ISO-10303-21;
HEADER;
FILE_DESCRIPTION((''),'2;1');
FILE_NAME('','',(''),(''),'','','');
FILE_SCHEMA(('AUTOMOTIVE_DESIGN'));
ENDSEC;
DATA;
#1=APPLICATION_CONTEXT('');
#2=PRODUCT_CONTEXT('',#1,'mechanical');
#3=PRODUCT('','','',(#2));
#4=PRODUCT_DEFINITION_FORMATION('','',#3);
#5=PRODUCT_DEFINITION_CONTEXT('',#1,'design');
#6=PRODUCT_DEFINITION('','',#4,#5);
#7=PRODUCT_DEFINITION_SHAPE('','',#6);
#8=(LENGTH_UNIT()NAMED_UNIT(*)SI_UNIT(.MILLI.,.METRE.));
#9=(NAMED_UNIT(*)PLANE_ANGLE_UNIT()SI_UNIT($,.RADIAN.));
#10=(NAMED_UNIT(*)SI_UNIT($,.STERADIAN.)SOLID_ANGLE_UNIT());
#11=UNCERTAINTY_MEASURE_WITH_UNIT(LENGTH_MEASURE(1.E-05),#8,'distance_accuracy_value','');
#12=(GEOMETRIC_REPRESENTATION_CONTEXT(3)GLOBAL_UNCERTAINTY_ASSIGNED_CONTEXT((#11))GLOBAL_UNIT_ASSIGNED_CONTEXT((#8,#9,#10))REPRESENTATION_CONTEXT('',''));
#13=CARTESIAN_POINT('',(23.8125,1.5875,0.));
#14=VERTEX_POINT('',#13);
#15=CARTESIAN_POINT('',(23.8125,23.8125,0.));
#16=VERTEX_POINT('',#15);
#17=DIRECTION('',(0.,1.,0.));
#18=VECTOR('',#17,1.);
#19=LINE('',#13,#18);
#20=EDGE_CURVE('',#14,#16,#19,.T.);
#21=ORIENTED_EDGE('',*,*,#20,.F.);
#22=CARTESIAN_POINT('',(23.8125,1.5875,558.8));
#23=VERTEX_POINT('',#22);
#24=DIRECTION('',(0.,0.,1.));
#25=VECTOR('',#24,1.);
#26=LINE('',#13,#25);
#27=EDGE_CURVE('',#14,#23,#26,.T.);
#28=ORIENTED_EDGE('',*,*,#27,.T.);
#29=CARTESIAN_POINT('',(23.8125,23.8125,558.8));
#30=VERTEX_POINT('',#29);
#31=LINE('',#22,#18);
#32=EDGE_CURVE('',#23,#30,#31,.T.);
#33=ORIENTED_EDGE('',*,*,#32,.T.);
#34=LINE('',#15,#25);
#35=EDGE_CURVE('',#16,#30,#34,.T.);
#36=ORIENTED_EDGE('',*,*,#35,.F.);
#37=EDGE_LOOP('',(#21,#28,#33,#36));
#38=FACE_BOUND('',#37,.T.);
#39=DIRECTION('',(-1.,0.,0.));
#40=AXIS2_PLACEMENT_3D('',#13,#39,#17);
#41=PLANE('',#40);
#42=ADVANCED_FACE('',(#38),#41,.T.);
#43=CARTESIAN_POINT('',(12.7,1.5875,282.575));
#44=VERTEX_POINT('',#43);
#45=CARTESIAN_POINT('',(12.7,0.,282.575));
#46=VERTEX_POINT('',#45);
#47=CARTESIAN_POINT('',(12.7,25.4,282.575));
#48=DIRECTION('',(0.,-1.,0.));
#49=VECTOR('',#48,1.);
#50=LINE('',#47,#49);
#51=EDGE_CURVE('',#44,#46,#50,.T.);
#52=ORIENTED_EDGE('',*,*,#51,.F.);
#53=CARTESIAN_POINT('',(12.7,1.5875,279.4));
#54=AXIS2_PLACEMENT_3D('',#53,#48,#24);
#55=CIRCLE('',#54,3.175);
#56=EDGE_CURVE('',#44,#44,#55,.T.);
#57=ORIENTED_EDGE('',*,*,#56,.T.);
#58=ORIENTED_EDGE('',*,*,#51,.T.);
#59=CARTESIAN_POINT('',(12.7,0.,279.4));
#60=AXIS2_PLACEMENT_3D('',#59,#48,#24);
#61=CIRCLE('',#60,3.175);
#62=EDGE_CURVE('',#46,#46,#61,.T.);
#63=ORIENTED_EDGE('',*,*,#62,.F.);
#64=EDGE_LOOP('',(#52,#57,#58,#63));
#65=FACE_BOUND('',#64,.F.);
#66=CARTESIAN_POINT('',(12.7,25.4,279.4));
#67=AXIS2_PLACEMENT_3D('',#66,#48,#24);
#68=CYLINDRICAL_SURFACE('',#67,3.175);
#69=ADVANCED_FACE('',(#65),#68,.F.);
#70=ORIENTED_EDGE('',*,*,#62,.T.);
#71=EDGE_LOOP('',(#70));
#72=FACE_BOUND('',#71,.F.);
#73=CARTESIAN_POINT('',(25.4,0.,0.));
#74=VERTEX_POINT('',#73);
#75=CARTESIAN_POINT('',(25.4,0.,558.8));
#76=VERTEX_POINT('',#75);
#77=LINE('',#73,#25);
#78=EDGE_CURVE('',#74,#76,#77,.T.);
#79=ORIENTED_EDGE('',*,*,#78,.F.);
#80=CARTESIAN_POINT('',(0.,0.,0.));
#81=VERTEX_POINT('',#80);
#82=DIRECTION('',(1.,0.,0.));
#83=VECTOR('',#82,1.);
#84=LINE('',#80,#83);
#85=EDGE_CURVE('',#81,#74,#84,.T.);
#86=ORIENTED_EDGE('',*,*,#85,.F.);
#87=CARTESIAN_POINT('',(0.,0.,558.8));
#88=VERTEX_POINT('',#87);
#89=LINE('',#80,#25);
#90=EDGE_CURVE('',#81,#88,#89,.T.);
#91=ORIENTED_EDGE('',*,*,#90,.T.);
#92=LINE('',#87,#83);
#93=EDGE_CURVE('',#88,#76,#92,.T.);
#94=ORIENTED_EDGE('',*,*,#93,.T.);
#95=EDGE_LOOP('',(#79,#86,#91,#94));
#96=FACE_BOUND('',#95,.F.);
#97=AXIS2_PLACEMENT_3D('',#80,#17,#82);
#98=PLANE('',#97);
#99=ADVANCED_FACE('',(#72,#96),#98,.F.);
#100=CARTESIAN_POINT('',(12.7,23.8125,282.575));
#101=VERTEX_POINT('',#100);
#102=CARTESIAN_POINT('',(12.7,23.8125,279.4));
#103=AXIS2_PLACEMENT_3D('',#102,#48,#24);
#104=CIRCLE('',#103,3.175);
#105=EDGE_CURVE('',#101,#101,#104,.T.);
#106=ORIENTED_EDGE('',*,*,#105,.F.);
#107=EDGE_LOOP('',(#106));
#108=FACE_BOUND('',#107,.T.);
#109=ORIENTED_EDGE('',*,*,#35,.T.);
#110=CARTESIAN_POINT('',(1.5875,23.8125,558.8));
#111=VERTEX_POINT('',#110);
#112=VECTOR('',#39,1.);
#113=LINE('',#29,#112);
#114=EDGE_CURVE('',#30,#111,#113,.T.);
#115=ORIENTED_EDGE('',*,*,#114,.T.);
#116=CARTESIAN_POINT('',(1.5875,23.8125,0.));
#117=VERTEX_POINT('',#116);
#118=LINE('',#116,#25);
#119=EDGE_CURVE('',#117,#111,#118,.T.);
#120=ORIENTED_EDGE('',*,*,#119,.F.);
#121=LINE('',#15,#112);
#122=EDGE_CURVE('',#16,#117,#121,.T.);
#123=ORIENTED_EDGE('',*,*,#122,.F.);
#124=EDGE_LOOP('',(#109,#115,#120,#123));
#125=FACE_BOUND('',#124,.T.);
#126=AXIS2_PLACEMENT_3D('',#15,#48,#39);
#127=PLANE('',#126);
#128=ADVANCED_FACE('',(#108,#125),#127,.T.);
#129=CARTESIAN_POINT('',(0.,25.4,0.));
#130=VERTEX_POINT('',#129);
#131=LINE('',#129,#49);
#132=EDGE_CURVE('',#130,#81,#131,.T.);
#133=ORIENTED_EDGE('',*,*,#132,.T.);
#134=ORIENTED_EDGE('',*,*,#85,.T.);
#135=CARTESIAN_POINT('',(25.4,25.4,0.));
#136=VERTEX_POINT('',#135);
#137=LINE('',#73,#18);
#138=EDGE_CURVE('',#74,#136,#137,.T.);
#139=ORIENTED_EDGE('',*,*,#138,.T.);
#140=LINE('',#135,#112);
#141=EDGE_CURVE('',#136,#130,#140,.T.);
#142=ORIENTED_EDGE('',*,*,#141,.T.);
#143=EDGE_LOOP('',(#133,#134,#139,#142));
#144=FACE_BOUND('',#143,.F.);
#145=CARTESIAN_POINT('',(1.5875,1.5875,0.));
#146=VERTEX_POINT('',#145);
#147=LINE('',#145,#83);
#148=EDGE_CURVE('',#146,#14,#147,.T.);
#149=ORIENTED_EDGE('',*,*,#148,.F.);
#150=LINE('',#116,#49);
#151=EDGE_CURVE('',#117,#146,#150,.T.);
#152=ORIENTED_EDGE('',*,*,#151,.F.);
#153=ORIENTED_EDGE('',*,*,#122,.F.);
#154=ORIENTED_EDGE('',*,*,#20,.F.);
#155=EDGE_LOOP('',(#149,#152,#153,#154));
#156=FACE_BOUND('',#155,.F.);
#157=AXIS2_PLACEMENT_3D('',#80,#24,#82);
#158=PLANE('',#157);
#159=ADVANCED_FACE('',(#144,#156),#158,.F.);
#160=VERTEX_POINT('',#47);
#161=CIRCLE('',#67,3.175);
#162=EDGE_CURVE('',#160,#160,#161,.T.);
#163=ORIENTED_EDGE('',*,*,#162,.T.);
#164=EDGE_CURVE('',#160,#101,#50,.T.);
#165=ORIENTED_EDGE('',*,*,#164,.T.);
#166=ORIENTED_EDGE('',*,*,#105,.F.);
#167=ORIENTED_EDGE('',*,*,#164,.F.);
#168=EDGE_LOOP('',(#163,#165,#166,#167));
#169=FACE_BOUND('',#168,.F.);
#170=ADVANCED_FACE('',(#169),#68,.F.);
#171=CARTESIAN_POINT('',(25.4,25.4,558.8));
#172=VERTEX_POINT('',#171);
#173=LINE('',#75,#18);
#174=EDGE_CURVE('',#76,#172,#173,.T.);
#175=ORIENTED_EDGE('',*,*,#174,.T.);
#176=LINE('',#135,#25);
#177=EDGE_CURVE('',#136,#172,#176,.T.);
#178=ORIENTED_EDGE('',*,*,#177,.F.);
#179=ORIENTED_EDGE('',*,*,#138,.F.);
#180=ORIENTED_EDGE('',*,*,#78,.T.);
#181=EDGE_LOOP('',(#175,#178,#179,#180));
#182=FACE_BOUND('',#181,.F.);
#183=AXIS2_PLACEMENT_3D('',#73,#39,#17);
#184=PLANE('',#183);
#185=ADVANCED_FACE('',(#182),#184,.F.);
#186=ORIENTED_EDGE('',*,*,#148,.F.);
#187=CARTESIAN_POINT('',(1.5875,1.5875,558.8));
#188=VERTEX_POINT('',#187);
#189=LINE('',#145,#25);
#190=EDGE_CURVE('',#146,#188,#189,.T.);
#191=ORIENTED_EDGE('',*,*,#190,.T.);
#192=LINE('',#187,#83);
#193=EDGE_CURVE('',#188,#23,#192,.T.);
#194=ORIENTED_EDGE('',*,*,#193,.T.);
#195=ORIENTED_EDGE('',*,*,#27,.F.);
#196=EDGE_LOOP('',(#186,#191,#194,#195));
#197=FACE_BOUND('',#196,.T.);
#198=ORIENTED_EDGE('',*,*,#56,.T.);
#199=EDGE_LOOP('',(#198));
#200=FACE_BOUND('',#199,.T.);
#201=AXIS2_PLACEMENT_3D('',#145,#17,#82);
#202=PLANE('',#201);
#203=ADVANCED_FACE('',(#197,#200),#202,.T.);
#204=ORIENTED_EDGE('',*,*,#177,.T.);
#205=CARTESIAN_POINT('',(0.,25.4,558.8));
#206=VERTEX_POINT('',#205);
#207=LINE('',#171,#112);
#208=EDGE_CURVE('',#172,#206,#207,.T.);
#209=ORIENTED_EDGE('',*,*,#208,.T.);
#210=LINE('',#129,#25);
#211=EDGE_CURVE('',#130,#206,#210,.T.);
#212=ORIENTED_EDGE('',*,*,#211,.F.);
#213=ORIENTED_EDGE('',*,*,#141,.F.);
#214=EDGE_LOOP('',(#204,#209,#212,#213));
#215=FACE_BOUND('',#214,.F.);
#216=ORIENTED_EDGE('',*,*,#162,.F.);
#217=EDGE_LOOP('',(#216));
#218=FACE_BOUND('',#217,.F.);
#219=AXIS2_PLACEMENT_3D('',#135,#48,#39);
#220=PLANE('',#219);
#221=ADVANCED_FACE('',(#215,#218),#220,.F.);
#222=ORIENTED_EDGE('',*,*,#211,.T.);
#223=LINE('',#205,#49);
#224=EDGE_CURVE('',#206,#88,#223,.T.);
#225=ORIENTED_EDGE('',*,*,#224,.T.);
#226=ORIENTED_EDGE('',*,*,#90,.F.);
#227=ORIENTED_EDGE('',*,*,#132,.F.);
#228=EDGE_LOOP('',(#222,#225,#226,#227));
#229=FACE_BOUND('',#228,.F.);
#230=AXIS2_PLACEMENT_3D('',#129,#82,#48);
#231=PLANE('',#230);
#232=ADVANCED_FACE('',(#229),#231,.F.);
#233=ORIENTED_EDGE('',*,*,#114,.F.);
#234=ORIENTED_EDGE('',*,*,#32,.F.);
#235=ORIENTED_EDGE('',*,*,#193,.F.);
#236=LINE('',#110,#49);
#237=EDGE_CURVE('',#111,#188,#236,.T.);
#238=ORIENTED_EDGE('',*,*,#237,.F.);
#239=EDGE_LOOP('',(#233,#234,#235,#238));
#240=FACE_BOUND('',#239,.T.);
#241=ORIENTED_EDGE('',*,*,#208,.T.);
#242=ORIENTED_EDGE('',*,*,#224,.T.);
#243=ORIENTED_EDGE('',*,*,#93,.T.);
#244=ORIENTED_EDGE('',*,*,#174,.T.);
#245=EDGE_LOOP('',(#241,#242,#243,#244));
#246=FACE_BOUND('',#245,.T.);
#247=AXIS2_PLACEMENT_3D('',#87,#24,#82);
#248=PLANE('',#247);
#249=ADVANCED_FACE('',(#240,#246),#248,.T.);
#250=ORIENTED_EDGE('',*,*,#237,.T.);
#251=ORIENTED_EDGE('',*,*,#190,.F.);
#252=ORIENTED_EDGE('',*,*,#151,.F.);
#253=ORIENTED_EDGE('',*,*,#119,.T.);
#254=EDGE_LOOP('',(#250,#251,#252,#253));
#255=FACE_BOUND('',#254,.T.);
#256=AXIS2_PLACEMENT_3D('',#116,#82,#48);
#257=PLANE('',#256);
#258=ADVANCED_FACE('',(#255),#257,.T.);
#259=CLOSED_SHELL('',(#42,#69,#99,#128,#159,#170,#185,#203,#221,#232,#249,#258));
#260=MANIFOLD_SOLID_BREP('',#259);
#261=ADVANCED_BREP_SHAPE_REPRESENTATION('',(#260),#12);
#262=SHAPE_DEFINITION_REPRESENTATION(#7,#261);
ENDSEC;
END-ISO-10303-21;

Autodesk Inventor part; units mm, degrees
ref_plane "YZ Plane" through (0, 0, 0) normal (1, 0, 0) x (0, 1, 0)
ref_plane "XZ Plane" through (0, 0, 0) normal (0, 1, 0) x (-1, 0, 0)
ref_plane "XY Plane" through (0, 0, 0) normal (0, 0, 1) x (1, 0, 0)
sketch "Sketch1" plane through (0, 0, 0) normal (0, 0, 1) x (1, 0, 0)
  line L0 (0, 0) -> (25.4, 0)
  line L1 (25.4, 0) -> (25.4, 25.4)
  line L2 (25.4, 25.4) -> (0, 25.4)
  line L3 (0, 25.4) -> (0, 0)
  line L4 (1.5875, 1.5875) -> (23.8125, 1.5875)
  line L5 (23.8125, 1.5875) -> (23.8125, 23.8125)
  line L6 (23.8125, 23.8125) -> (1.5875, 23.8125)
  line L7 (1.5875, 23.8125) -> (1.5875, 1.5875)
  dimension "d0" = 25.4
  dimension "d1" = 25.4
  dimension "d2" = 1.5875
extrude "Extrusion1" add sketch "Sketch1" along normal blind 558.8
sketch "Sketch3" plane through (0, 25.4, 0) normal (0, 1, 0) x (1, 0, 0)
  line L0 (25.4, 0) -> (0, 0) projected
  line L1 (0, 0) -> (0, -558.8) projected
  line L2 (25.4, -558.8) -> (0, -558.8) projected
  line L3 (25.4, 0) -> (25.4, -558.8) projected
  point P0 (0, 0)
  point P1 (12.7, -279.4)
  dimension "d15" = 279.4
  dimension "d16" = 558.8
  dimension "d17" = 12.7
hole "Hole2" at (12.7, 25.4, 279.4) direction (0, -1, 0) diameter 6.35 end through all clearance for "Flat Head Machine Screw (82)" size "1/4" standard "Ansi Unified Screw Threads"
equation "\"d15\" = 0.5 * d16"
properties part number "ScissorLiftBarMiddle" material "Aluminum 6061"
